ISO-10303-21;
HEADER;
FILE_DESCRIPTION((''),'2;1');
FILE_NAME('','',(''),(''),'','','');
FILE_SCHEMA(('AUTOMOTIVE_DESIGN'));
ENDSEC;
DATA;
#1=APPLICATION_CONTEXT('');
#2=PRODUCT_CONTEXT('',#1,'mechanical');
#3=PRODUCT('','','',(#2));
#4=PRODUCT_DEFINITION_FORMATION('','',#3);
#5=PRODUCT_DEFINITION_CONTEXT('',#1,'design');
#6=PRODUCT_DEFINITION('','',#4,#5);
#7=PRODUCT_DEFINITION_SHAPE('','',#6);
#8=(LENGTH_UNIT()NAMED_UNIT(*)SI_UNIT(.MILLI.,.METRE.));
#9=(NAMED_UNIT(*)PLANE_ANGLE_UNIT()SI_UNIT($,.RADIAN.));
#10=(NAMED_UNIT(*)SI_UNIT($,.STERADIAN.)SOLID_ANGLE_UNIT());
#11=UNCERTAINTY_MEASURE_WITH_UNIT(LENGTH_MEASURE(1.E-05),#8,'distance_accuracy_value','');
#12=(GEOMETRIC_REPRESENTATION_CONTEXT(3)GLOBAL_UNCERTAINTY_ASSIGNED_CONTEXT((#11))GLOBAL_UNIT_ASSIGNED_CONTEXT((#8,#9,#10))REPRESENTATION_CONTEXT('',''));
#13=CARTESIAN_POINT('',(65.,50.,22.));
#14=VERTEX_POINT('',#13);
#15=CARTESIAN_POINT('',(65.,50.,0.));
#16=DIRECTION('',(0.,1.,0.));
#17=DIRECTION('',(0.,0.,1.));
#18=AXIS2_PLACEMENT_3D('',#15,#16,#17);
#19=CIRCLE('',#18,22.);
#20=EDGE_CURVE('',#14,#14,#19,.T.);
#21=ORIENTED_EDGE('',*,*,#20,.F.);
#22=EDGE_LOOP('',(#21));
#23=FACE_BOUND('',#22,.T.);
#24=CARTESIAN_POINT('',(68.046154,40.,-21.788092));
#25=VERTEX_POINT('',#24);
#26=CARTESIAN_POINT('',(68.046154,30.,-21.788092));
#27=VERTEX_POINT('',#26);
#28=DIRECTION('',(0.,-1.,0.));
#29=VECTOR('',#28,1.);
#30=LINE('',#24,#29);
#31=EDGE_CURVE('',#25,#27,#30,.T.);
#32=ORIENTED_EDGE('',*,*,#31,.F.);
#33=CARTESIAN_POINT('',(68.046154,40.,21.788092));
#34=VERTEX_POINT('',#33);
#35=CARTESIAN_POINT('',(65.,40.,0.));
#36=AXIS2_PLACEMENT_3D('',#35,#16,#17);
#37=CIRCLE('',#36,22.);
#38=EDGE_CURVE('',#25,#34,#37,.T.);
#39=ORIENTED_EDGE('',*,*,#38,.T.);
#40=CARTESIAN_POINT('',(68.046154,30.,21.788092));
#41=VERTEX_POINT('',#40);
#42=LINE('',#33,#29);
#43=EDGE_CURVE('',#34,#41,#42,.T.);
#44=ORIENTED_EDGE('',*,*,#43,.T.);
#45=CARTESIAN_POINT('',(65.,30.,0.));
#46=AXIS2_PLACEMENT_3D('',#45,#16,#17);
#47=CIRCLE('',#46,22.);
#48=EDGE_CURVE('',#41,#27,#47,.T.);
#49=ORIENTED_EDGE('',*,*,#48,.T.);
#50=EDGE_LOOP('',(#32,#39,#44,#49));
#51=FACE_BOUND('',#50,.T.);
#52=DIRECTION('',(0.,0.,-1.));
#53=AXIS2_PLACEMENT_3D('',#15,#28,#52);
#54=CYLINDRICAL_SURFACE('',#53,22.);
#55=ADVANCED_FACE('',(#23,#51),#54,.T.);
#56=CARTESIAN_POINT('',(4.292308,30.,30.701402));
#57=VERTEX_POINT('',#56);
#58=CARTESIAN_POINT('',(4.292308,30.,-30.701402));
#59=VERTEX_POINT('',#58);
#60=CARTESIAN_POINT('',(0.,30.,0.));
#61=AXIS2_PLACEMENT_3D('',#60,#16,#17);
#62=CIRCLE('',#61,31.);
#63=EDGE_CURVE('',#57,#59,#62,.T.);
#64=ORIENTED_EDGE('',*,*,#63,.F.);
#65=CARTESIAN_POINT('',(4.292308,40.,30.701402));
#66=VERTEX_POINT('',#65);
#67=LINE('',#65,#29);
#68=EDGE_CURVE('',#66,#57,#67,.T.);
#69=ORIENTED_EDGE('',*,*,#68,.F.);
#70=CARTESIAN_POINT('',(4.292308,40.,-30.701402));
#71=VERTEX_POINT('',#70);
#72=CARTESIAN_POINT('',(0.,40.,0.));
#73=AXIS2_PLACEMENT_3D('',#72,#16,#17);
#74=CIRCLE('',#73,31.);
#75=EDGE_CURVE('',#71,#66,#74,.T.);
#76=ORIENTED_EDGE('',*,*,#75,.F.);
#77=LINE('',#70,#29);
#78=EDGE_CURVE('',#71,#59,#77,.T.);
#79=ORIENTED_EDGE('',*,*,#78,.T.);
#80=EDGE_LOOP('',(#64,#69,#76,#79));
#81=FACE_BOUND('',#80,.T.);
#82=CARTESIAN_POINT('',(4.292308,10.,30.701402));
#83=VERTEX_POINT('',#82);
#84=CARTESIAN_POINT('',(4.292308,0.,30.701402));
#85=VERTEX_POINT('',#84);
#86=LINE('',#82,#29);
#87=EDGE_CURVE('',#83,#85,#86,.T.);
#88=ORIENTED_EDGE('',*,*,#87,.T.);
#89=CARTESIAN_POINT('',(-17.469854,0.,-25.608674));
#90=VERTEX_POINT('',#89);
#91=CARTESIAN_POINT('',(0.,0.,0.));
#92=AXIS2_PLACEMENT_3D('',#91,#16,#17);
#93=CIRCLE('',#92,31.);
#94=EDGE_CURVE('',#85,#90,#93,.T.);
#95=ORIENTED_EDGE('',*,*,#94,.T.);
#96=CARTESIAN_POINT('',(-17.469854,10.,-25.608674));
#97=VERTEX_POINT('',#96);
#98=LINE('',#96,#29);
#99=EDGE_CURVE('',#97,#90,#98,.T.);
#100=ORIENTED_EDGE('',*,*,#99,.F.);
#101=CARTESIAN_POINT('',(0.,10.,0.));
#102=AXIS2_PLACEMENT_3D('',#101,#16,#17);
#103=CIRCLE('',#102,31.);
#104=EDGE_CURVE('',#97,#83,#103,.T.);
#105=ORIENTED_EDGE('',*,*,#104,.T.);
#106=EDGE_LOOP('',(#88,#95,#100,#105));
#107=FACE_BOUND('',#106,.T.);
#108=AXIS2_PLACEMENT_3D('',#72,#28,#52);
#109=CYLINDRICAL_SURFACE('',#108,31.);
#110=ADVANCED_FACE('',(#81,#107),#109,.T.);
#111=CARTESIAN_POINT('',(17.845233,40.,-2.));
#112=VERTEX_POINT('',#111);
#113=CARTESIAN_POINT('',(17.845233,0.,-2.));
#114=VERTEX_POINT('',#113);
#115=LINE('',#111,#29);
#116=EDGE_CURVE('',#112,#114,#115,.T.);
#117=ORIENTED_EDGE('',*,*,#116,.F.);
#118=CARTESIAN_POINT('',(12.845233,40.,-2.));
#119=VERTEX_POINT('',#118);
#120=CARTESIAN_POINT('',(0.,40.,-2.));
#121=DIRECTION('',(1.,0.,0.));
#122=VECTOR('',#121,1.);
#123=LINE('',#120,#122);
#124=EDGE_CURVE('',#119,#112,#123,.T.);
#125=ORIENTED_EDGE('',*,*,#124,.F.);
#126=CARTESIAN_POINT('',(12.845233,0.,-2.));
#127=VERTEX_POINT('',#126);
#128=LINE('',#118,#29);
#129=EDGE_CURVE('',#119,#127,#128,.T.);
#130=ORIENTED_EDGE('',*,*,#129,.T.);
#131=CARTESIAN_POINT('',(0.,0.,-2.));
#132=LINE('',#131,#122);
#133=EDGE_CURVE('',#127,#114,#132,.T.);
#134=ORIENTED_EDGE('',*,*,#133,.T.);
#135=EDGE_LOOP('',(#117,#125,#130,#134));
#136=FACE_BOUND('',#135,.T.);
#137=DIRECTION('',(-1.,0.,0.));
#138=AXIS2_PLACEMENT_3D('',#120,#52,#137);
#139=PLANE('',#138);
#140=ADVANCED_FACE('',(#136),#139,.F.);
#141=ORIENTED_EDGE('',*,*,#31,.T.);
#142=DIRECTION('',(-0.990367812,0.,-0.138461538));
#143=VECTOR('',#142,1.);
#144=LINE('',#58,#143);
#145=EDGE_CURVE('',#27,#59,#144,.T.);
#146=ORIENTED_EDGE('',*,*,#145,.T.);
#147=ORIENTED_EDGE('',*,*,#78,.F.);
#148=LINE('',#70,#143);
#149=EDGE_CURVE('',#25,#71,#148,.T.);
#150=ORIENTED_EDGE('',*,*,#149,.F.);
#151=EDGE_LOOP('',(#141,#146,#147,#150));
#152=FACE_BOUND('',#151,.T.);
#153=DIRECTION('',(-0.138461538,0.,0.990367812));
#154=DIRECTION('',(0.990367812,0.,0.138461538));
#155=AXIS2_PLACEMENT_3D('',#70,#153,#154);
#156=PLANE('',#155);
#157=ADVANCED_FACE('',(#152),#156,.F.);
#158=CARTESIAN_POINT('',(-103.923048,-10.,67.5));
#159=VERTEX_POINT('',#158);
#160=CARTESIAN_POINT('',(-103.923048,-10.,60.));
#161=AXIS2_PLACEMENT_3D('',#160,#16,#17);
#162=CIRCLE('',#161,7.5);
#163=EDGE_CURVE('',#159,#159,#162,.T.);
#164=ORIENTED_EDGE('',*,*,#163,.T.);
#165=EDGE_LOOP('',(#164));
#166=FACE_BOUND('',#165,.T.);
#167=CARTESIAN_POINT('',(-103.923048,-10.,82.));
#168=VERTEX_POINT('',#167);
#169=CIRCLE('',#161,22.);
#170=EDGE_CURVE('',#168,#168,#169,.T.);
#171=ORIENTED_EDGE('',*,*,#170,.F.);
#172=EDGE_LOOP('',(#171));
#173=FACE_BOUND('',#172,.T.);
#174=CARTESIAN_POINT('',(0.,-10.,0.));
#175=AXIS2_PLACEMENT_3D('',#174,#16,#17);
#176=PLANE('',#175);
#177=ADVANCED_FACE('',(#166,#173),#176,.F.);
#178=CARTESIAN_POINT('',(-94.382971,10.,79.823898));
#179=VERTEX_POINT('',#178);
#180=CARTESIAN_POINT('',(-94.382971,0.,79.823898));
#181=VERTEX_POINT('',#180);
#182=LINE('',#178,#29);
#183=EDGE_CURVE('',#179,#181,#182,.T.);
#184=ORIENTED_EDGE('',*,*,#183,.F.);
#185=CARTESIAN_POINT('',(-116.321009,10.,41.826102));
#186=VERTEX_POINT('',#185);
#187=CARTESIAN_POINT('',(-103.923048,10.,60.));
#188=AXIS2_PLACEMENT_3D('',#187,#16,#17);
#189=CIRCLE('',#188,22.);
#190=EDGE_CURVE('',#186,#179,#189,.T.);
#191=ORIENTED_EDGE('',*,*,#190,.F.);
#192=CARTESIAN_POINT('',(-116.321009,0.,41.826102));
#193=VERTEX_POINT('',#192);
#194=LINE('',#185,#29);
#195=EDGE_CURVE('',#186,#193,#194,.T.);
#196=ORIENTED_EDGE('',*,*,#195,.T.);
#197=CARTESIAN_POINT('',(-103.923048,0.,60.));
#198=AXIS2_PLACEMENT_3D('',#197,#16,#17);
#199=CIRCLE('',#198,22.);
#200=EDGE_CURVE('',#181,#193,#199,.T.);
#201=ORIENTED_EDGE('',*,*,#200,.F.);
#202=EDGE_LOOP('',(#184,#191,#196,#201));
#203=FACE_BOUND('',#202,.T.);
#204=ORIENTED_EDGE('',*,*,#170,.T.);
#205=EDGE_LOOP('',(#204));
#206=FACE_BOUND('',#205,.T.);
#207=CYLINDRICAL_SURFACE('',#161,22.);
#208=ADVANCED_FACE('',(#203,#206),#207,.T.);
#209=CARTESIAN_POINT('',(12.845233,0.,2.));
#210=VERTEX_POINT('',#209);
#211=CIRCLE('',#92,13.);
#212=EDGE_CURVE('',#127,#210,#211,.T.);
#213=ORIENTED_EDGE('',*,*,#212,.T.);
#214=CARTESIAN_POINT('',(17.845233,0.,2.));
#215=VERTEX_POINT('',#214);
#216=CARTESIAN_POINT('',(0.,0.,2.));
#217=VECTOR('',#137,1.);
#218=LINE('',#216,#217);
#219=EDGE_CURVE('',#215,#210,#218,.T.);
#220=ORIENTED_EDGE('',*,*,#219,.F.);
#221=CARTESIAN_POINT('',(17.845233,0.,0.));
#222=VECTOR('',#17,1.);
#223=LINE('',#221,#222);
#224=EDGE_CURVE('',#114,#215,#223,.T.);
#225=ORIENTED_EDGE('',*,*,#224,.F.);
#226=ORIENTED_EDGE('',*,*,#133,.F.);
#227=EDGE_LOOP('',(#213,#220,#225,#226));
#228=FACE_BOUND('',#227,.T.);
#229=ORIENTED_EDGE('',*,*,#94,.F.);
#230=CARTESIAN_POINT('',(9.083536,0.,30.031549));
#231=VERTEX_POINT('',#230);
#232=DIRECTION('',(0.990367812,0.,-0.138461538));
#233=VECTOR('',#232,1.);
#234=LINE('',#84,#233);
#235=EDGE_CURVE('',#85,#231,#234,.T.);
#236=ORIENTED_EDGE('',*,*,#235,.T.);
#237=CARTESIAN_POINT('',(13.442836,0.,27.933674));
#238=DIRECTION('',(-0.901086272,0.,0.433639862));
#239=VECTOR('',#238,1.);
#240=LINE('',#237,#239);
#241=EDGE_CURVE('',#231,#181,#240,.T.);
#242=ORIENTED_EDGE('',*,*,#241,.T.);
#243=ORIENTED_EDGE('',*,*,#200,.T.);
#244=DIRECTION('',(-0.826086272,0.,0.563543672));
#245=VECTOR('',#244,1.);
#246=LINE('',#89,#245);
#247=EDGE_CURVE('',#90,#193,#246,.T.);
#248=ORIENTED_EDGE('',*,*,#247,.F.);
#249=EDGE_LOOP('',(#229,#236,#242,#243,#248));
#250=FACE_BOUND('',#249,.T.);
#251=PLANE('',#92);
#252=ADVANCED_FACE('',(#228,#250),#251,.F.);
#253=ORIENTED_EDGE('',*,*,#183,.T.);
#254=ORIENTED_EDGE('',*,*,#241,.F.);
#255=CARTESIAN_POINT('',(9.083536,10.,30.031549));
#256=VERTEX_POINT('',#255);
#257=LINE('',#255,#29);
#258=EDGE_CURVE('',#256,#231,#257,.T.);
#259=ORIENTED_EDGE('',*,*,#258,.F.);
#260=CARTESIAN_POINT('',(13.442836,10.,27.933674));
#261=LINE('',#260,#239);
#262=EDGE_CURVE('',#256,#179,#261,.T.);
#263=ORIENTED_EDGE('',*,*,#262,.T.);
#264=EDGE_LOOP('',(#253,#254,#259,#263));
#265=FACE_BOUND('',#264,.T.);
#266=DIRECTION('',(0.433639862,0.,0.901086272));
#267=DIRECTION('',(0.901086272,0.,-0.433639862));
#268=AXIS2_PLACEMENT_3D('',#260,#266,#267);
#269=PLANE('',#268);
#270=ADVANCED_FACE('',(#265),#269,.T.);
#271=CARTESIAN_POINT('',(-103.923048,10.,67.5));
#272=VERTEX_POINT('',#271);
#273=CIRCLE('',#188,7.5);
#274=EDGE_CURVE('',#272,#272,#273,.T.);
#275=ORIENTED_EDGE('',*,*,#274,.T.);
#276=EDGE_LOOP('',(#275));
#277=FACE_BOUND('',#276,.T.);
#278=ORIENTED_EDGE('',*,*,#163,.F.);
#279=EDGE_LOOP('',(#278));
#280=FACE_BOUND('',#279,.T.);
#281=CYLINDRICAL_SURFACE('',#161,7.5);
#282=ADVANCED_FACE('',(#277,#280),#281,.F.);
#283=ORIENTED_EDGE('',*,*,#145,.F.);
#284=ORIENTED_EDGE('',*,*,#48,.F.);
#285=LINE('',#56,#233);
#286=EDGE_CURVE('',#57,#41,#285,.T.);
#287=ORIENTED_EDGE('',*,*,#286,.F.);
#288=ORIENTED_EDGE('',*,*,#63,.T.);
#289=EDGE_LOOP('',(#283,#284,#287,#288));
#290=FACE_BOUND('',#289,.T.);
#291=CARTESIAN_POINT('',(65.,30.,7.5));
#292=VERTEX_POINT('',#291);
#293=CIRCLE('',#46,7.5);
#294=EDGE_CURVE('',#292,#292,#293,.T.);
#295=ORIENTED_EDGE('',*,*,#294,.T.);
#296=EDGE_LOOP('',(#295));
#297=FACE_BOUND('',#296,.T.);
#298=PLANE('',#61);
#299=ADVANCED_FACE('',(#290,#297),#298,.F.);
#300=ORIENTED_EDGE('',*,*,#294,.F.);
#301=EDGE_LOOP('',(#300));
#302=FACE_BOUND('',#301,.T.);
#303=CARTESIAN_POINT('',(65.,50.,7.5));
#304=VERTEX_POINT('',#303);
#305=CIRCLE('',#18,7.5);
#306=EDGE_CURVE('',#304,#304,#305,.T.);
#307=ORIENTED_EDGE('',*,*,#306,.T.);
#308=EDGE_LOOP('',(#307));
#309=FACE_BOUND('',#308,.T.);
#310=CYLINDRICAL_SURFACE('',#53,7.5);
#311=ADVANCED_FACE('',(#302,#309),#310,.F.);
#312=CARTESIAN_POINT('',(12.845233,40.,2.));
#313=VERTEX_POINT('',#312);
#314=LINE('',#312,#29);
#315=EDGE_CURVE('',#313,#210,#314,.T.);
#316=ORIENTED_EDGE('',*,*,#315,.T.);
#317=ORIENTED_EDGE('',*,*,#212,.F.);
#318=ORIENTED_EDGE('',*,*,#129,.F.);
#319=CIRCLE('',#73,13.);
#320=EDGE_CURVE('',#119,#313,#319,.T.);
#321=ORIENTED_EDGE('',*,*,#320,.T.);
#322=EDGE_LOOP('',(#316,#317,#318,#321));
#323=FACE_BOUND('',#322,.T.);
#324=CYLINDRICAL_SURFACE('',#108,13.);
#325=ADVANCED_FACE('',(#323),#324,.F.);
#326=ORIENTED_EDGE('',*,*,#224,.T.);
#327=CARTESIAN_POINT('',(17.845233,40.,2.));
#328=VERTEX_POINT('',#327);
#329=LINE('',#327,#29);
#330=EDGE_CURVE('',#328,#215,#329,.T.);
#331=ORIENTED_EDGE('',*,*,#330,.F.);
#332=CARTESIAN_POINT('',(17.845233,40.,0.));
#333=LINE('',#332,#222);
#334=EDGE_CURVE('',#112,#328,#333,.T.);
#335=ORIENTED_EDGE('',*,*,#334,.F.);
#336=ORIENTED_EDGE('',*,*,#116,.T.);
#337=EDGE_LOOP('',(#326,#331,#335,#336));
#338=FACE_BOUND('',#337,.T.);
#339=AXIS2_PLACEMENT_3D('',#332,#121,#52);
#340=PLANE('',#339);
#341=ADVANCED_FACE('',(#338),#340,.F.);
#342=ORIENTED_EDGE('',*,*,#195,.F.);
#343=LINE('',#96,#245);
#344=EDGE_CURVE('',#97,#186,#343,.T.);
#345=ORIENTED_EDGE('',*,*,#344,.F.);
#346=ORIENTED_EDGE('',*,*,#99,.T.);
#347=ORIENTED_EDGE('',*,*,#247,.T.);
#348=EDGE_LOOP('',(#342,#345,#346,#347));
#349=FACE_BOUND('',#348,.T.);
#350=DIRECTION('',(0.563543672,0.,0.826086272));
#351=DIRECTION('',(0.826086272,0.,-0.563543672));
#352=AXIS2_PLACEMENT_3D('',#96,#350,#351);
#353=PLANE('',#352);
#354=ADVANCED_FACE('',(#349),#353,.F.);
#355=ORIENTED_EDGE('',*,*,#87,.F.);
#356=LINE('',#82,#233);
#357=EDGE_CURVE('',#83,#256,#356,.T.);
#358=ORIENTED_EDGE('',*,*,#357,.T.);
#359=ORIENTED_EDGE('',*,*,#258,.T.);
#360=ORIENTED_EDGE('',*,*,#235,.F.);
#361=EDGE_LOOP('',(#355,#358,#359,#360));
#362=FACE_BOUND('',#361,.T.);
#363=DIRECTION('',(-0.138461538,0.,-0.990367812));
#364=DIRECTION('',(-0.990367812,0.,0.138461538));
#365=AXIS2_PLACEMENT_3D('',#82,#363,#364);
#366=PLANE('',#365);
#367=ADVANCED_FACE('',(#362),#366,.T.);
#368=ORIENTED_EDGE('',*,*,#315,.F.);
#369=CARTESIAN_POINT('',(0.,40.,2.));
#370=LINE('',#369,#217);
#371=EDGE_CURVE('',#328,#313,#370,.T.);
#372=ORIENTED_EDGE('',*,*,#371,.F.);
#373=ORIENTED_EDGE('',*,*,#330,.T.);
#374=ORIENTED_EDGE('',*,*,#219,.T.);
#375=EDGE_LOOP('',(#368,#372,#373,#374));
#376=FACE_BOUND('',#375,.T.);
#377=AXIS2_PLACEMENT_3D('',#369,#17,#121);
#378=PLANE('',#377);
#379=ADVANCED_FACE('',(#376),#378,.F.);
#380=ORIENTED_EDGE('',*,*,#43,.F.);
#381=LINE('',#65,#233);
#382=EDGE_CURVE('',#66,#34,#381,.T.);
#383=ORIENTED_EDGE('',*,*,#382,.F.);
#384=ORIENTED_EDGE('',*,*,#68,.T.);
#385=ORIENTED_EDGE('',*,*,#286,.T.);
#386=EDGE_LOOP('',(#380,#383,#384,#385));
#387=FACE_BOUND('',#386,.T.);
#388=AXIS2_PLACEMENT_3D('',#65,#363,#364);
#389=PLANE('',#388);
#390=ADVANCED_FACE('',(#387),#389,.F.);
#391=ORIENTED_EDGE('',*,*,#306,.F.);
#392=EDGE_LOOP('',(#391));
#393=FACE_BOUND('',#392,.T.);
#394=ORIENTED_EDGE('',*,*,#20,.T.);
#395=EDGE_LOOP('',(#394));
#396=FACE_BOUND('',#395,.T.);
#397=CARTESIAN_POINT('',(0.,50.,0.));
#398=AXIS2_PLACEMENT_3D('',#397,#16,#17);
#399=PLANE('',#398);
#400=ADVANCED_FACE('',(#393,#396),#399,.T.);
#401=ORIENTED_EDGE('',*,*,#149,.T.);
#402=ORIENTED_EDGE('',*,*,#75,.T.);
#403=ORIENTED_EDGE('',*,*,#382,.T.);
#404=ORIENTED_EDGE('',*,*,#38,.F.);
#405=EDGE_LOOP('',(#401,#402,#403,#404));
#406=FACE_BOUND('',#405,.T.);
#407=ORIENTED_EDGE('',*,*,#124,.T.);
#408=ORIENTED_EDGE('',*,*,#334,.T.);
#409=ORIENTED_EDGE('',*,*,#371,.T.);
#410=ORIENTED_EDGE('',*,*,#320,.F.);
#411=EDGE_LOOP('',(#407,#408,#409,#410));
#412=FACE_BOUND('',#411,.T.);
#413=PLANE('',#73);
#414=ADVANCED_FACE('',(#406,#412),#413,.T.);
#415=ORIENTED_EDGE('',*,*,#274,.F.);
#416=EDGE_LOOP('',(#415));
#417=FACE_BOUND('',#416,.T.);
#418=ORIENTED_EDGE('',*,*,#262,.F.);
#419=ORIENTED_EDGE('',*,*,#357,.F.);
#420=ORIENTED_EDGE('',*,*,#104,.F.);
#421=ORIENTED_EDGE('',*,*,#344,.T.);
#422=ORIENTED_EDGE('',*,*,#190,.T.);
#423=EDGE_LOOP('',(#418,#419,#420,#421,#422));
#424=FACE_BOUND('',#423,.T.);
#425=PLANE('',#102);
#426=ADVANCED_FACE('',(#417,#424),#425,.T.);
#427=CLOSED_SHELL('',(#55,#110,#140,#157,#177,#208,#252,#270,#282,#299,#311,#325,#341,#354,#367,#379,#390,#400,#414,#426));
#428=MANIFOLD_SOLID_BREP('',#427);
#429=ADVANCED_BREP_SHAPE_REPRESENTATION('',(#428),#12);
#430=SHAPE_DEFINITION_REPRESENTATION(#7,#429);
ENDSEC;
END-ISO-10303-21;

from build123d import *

# Parameters (mm, degrees)
SKETCH1_R           = 31
BOSS_EXTRUDE1_DEPTH = 40
BOSS_EXTRUDE2_START = 30
BOSS_EXTRUDE2_DEPTH = 10
BOSS_EXTRUDE3_START = 30
SKETCH1_4_R         = 7.5
BOSS_EXTRUDE3_DEPTH = 20
BOSS_EXTRUDE4_DEPTH = 10
BOSS_EXTRUDE5_START = -10
SKETCH1_6_R         = 7.5
BOSS_EXTRUDE5_DEPTH = 20


with BuildPart() as part:
    # Sketch1 → Boss-Extrude1 (new body)
    with BuildSketch(Plane(origin=(0, 0, 0), x_dir=(1, 0, 0), z_dir=(0, 1, 0))):
        Circle(SKETCH1_R)
        with BuildLine():
            Line((12.845232579, 2), (17.845232579, 2))
            Line((17.845232579, 2), (17.845232579, -2))
            Line((17.845232579, -2), (12.845232579, -2))
            ThreePointArc((12.845232579, -2), (-13, 0), (12.845232579, 2))
        make_face(mode=Mode.SUBTRACT)
    extrude(amount=BOSS_EXTRUDE1_DEPTH)

    # Sketch1<3> → Boss-Extrude2 (add)
    with BuildSketch(Plane(origin=(0, 0, 0), x_dir=(1, 0, 0), z_dir=(0, 1, 0)).offset(BOSS_EXTRUDE2_START)):
        with BuildLine():
            Line((4.292307692, -30.701402161), (9.08353603, -30.031549164))
            Line((9.08353603, -30.031549164), (68.046153846, -21.788091856))
            ThreePointArc((68.046153846, -21.788091856), (43, 0), (68.046153846, 21.788091856))
            Line((68.046153846, 21.788091856), (4.292307692, 30.701402161))
            ThreePointArc((4.292307692, 30.701402161), (23.388688916, 20.346233823), (31, 0))
            ThreePointArc((31, 0), (23.388688916, -20.346233823), (4.292307692, -30.701402161))
        make_face()
    extrude(amount=BOSS_EXTRUDE2_DEPTH)

    # Sketch1<4> → Boss-Extrude3 (add)
    with BuildSketch(Plane(origin=(0, 0, 0), x_dir=(1, 0, 0), z_dir=(0, 1, 0)).offset(BOSS_EXTRUDE3_START)):
        with BuildLine():
            ThreePointArc((68.046153846, 21.788091856), (43, 0), (68.046153846, -21.788091856))
            ThreePointArc((68.046153846, -21.788091856), (81.598424392, -14.439262713), (87, 0))
            ThreePointArc((87, 0), (81.598424392, 14.439262713), (68.046153846, 21.788091856))
        make_face()
        with Locations((65, 0)):
            Circle(SKETCH1_4_R, mode=Mode.SUBTRACT)
    extrude(amount=BOSS_EXTRUDE3_DEPTH)

    # Sketch1<5> → Boss-Extrude4 (add)
    with BuildSketch(Plane(origin=(0, 0, 0), x_dir=(1, 0, 0), z_dir=(0, 1, 0))):
        with BuildLine():
            Line((-94.382971499, -79.823897994), (9.08353603, -30.031549164))
            Line((9.08353603, -30.031549164), (4.292307692, -30.701402161))
            ThreePointArc((4.292307692, -30.701402161), (-28.915707021, -11.175056488), (-17.469853837, 25.608674447))
            Line((-17.469853837, 25.608674447), (-116.321009242, -41.826102006))
            ThreePointArc((-116.321009242, -41.826102006), (-93.645771026, -40.54807031), (-81.923048454, -60))
            ThreePointArc((-81.923048454, -60), (-85.296700275, -71.70722655), (-94.382971499, -79.823897994))
        make_face()
    extrude(amount=BOSS_EXTRUDE4_DEPTH)

    # Sketch1<6> → Boss-Extrude5 (add)
    with BuildSketch(Plane(origin=(0, 0, 0), x_dir=(1, 0, 0), z_dir=(0, 1, 0)).offset(BOSS_EXTRUDE5_START)):
        with BuildLine():
            ThreePointArc((-116.321009242, -41.826102006), (-122.975607337, -71), (-94.382971499, -79.823897994))
            ThreePointArc((-94.382971499, -79.823897994), (-85.296700275, -71.70722655), (-81.923048454, -60))
            ThreePointArc((-81.923048454, -60), (-93.645771026, -40.54807031), (-116.321009242, -41.826102006))
        make_face()
        with Locations((-103.923048454, -60)):
            Circle(SKETCH1_6_R, mode=Mode.SUBTRACT)
    extrude(amount=BOSS_EXTRUDE5_DEPTH)


solid = part.part
